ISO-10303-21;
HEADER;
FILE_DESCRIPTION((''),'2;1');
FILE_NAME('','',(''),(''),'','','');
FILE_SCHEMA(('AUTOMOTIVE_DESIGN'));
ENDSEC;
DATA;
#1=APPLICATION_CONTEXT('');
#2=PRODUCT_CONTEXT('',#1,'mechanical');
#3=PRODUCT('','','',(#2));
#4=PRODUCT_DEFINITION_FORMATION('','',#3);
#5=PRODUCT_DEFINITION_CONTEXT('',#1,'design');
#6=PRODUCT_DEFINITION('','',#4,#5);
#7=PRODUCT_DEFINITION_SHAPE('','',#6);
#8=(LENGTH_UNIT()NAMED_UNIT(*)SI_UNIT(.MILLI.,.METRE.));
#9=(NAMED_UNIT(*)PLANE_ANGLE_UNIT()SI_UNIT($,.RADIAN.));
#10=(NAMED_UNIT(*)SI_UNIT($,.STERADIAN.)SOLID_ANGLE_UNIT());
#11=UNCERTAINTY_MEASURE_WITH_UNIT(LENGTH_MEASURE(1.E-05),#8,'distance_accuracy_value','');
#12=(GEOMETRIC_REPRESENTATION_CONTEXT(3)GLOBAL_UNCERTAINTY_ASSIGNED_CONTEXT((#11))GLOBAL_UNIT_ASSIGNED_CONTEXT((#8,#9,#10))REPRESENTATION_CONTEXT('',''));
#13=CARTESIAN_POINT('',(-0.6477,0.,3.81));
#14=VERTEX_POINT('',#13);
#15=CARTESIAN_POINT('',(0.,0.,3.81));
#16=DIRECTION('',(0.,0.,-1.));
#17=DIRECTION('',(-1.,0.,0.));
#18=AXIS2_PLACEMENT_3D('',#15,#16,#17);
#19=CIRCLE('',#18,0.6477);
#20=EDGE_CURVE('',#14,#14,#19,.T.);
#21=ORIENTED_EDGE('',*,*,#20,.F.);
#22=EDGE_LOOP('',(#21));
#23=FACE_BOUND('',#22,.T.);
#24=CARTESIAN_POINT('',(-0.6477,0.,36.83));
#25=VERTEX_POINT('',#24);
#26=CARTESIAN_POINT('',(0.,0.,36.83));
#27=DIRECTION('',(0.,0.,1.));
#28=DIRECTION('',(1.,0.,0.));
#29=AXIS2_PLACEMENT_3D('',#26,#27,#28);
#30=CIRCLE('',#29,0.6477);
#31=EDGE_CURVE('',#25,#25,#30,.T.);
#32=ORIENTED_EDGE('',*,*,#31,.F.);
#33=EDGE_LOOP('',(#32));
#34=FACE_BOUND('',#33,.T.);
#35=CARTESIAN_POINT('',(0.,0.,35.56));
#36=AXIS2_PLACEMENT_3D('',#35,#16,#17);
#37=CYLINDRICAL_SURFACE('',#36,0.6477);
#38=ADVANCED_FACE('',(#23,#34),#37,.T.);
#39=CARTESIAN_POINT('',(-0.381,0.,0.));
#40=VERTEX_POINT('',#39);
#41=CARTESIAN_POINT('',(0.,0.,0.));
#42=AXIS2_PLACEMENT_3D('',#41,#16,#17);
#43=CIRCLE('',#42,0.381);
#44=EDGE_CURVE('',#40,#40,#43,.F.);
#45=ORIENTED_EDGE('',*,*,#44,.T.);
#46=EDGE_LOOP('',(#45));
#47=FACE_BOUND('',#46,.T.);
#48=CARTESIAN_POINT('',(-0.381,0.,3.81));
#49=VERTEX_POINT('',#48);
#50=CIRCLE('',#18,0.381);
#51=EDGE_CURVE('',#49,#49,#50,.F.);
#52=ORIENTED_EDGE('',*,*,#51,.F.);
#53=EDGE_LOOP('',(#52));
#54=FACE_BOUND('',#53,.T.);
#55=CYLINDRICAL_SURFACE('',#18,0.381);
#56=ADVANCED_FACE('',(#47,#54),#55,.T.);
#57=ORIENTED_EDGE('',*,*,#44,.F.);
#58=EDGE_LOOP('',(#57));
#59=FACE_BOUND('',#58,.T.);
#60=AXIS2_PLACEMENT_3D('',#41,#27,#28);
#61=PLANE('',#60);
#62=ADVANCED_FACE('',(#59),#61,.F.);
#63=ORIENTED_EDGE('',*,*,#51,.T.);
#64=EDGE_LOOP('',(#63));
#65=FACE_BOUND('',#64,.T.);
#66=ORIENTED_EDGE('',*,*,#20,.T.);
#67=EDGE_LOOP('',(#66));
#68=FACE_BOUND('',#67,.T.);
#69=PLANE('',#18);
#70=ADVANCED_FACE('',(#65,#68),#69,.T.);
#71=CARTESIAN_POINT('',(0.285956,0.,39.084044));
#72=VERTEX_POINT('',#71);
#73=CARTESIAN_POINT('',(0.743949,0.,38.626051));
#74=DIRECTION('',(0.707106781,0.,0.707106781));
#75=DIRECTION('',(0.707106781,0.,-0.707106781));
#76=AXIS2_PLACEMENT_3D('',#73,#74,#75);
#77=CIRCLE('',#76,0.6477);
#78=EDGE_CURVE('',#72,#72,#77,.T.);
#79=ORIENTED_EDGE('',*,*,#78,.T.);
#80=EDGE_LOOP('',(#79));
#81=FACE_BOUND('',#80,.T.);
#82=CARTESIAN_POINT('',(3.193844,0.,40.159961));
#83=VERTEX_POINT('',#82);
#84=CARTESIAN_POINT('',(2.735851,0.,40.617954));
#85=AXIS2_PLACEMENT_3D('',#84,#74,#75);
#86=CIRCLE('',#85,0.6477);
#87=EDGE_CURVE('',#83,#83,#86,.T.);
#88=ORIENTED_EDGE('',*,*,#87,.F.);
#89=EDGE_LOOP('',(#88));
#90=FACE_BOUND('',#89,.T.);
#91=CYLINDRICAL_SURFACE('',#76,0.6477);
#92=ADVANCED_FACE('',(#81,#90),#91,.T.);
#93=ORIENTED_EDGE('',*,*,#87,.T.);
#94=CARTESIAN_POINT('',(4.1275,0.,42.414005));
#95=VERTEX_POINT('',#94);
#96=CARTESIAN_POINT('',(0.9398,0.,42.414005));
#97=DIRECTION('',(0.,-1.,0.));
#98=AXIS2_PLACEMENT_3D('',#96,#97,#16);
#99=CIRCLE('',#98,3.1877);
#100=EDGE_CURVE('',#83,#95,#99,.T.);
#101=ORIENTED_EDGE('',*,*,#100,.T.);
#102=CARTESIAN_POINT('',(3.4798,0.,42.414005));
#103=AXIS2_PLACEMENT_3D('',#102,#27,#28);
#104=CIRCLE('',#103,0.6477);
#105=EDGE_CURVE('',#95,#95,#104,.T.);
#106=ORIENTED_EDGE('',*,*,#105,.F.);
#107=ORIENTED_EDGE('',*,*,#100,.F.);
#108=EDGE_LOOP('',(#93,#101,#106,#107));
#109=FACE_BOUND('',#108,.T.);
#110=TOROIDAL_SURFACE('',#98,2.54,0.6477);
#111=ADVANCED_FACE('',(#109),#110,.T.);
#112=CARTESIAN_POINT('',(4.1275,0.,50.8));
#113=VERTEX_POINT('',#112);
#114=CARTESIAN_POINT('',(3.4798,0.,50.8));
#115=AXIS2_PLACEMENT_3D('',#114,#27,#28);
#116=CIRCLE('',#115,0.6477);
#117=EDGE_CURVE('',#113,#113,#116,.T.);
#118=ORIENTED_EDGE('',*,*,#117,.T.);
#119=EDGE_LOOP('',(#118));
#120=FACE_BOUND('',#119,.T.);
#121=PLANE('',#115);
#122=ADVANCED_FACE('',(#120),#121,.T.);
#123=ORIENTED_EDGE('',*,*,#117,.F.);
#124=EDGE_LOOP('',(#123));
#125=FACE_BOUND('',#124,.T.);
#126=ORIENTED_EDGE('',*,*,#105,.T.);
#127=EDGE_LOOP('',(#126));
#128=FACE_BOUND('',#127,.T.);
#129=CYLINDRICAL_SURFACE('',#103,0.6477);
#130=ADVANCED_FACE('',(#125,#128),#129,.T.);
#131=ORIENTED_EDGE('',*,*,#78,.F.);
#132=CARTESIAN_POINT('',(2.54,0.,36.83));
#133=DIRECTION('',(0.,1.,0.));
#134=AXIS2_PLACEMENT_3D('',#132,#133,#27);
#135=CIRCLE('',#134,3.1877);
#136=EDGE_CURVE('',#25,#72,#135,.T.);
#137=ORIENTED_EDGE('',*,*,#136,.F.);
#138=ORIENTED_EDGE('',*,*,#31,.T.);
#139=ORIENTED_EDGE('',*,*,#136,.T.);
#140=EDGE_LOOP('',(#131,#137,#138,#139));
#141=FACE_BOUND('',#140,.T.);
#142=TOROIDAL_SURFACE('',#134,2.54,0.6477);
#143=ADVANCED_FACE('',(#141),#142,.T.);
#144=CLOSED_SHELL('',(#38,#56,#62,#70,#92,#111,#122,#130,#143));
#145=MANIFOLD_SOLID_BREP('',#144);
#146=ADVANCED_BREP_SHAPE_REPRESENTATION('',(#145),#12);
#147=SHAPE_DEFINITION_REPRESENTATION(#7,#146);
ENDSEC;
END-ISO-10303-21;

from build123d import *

# Parameters (mm, degrees)
SKETCH1_R           = 0.6477
BOSS_EXTRUDE1_DEPTH = 35.56
SKETCH3_R           = 0.6477
SKETCH4_R           = 0.6477
SKETCH4_R_2         = 0.381
CUT_EXTRUDE2_DEPTH  = 3.81


with BuildPart() as part:
    # Sketch1 → Boss-Extrude1 (new body)
    with BuildSketch(Plane.XY):
        Circle(SKETCH1_R)
    extrude(amount=BOSS_EXTRUDE1_DEPTH)

    # Sweep1: sweep along a path in Sketch2
    with BuildLine(Plane(origin=(0, 0, 0), x_dir=(1, 0, 0), z_dir=(0, 1, 0))) as sweep1_path:
        Line((3.4798, -50.8), (3.4798, -42.414004897))
        ThreePointArc((3.4798, -42.414004897), (3.286454013, -41.441988979), (2.735851224, -40.617953673))
        Line((2.735851224, -40.617953673), (0.743948776, -38.626051224))
        ThreePointArc((0.743948776, -38.626051224), (0.193345987, -37.802015918), (0, -36.83))
        Line((0, -36.83), (0, -35.56))
    # Sketch3 → Sweep1 (sweep)
    with BuildSketch(Plane.XY.offset(35.56)):
        Circle(SKETCH3_R)
    sweep(path=sweep1_path.line)

    # Sketch4 → Cut-Extrude2 (cut)
    with BuildSketch(Plane.XY):
        Circle(SKETCH4_R)
        Circle(SKETCH4_R_2, mode=Mode.SUBTRACT)
    extrude(amount=CUT_EXTRUDE2_DEPTH, mode=Mode.SUBTRACT)


solid = part.part
